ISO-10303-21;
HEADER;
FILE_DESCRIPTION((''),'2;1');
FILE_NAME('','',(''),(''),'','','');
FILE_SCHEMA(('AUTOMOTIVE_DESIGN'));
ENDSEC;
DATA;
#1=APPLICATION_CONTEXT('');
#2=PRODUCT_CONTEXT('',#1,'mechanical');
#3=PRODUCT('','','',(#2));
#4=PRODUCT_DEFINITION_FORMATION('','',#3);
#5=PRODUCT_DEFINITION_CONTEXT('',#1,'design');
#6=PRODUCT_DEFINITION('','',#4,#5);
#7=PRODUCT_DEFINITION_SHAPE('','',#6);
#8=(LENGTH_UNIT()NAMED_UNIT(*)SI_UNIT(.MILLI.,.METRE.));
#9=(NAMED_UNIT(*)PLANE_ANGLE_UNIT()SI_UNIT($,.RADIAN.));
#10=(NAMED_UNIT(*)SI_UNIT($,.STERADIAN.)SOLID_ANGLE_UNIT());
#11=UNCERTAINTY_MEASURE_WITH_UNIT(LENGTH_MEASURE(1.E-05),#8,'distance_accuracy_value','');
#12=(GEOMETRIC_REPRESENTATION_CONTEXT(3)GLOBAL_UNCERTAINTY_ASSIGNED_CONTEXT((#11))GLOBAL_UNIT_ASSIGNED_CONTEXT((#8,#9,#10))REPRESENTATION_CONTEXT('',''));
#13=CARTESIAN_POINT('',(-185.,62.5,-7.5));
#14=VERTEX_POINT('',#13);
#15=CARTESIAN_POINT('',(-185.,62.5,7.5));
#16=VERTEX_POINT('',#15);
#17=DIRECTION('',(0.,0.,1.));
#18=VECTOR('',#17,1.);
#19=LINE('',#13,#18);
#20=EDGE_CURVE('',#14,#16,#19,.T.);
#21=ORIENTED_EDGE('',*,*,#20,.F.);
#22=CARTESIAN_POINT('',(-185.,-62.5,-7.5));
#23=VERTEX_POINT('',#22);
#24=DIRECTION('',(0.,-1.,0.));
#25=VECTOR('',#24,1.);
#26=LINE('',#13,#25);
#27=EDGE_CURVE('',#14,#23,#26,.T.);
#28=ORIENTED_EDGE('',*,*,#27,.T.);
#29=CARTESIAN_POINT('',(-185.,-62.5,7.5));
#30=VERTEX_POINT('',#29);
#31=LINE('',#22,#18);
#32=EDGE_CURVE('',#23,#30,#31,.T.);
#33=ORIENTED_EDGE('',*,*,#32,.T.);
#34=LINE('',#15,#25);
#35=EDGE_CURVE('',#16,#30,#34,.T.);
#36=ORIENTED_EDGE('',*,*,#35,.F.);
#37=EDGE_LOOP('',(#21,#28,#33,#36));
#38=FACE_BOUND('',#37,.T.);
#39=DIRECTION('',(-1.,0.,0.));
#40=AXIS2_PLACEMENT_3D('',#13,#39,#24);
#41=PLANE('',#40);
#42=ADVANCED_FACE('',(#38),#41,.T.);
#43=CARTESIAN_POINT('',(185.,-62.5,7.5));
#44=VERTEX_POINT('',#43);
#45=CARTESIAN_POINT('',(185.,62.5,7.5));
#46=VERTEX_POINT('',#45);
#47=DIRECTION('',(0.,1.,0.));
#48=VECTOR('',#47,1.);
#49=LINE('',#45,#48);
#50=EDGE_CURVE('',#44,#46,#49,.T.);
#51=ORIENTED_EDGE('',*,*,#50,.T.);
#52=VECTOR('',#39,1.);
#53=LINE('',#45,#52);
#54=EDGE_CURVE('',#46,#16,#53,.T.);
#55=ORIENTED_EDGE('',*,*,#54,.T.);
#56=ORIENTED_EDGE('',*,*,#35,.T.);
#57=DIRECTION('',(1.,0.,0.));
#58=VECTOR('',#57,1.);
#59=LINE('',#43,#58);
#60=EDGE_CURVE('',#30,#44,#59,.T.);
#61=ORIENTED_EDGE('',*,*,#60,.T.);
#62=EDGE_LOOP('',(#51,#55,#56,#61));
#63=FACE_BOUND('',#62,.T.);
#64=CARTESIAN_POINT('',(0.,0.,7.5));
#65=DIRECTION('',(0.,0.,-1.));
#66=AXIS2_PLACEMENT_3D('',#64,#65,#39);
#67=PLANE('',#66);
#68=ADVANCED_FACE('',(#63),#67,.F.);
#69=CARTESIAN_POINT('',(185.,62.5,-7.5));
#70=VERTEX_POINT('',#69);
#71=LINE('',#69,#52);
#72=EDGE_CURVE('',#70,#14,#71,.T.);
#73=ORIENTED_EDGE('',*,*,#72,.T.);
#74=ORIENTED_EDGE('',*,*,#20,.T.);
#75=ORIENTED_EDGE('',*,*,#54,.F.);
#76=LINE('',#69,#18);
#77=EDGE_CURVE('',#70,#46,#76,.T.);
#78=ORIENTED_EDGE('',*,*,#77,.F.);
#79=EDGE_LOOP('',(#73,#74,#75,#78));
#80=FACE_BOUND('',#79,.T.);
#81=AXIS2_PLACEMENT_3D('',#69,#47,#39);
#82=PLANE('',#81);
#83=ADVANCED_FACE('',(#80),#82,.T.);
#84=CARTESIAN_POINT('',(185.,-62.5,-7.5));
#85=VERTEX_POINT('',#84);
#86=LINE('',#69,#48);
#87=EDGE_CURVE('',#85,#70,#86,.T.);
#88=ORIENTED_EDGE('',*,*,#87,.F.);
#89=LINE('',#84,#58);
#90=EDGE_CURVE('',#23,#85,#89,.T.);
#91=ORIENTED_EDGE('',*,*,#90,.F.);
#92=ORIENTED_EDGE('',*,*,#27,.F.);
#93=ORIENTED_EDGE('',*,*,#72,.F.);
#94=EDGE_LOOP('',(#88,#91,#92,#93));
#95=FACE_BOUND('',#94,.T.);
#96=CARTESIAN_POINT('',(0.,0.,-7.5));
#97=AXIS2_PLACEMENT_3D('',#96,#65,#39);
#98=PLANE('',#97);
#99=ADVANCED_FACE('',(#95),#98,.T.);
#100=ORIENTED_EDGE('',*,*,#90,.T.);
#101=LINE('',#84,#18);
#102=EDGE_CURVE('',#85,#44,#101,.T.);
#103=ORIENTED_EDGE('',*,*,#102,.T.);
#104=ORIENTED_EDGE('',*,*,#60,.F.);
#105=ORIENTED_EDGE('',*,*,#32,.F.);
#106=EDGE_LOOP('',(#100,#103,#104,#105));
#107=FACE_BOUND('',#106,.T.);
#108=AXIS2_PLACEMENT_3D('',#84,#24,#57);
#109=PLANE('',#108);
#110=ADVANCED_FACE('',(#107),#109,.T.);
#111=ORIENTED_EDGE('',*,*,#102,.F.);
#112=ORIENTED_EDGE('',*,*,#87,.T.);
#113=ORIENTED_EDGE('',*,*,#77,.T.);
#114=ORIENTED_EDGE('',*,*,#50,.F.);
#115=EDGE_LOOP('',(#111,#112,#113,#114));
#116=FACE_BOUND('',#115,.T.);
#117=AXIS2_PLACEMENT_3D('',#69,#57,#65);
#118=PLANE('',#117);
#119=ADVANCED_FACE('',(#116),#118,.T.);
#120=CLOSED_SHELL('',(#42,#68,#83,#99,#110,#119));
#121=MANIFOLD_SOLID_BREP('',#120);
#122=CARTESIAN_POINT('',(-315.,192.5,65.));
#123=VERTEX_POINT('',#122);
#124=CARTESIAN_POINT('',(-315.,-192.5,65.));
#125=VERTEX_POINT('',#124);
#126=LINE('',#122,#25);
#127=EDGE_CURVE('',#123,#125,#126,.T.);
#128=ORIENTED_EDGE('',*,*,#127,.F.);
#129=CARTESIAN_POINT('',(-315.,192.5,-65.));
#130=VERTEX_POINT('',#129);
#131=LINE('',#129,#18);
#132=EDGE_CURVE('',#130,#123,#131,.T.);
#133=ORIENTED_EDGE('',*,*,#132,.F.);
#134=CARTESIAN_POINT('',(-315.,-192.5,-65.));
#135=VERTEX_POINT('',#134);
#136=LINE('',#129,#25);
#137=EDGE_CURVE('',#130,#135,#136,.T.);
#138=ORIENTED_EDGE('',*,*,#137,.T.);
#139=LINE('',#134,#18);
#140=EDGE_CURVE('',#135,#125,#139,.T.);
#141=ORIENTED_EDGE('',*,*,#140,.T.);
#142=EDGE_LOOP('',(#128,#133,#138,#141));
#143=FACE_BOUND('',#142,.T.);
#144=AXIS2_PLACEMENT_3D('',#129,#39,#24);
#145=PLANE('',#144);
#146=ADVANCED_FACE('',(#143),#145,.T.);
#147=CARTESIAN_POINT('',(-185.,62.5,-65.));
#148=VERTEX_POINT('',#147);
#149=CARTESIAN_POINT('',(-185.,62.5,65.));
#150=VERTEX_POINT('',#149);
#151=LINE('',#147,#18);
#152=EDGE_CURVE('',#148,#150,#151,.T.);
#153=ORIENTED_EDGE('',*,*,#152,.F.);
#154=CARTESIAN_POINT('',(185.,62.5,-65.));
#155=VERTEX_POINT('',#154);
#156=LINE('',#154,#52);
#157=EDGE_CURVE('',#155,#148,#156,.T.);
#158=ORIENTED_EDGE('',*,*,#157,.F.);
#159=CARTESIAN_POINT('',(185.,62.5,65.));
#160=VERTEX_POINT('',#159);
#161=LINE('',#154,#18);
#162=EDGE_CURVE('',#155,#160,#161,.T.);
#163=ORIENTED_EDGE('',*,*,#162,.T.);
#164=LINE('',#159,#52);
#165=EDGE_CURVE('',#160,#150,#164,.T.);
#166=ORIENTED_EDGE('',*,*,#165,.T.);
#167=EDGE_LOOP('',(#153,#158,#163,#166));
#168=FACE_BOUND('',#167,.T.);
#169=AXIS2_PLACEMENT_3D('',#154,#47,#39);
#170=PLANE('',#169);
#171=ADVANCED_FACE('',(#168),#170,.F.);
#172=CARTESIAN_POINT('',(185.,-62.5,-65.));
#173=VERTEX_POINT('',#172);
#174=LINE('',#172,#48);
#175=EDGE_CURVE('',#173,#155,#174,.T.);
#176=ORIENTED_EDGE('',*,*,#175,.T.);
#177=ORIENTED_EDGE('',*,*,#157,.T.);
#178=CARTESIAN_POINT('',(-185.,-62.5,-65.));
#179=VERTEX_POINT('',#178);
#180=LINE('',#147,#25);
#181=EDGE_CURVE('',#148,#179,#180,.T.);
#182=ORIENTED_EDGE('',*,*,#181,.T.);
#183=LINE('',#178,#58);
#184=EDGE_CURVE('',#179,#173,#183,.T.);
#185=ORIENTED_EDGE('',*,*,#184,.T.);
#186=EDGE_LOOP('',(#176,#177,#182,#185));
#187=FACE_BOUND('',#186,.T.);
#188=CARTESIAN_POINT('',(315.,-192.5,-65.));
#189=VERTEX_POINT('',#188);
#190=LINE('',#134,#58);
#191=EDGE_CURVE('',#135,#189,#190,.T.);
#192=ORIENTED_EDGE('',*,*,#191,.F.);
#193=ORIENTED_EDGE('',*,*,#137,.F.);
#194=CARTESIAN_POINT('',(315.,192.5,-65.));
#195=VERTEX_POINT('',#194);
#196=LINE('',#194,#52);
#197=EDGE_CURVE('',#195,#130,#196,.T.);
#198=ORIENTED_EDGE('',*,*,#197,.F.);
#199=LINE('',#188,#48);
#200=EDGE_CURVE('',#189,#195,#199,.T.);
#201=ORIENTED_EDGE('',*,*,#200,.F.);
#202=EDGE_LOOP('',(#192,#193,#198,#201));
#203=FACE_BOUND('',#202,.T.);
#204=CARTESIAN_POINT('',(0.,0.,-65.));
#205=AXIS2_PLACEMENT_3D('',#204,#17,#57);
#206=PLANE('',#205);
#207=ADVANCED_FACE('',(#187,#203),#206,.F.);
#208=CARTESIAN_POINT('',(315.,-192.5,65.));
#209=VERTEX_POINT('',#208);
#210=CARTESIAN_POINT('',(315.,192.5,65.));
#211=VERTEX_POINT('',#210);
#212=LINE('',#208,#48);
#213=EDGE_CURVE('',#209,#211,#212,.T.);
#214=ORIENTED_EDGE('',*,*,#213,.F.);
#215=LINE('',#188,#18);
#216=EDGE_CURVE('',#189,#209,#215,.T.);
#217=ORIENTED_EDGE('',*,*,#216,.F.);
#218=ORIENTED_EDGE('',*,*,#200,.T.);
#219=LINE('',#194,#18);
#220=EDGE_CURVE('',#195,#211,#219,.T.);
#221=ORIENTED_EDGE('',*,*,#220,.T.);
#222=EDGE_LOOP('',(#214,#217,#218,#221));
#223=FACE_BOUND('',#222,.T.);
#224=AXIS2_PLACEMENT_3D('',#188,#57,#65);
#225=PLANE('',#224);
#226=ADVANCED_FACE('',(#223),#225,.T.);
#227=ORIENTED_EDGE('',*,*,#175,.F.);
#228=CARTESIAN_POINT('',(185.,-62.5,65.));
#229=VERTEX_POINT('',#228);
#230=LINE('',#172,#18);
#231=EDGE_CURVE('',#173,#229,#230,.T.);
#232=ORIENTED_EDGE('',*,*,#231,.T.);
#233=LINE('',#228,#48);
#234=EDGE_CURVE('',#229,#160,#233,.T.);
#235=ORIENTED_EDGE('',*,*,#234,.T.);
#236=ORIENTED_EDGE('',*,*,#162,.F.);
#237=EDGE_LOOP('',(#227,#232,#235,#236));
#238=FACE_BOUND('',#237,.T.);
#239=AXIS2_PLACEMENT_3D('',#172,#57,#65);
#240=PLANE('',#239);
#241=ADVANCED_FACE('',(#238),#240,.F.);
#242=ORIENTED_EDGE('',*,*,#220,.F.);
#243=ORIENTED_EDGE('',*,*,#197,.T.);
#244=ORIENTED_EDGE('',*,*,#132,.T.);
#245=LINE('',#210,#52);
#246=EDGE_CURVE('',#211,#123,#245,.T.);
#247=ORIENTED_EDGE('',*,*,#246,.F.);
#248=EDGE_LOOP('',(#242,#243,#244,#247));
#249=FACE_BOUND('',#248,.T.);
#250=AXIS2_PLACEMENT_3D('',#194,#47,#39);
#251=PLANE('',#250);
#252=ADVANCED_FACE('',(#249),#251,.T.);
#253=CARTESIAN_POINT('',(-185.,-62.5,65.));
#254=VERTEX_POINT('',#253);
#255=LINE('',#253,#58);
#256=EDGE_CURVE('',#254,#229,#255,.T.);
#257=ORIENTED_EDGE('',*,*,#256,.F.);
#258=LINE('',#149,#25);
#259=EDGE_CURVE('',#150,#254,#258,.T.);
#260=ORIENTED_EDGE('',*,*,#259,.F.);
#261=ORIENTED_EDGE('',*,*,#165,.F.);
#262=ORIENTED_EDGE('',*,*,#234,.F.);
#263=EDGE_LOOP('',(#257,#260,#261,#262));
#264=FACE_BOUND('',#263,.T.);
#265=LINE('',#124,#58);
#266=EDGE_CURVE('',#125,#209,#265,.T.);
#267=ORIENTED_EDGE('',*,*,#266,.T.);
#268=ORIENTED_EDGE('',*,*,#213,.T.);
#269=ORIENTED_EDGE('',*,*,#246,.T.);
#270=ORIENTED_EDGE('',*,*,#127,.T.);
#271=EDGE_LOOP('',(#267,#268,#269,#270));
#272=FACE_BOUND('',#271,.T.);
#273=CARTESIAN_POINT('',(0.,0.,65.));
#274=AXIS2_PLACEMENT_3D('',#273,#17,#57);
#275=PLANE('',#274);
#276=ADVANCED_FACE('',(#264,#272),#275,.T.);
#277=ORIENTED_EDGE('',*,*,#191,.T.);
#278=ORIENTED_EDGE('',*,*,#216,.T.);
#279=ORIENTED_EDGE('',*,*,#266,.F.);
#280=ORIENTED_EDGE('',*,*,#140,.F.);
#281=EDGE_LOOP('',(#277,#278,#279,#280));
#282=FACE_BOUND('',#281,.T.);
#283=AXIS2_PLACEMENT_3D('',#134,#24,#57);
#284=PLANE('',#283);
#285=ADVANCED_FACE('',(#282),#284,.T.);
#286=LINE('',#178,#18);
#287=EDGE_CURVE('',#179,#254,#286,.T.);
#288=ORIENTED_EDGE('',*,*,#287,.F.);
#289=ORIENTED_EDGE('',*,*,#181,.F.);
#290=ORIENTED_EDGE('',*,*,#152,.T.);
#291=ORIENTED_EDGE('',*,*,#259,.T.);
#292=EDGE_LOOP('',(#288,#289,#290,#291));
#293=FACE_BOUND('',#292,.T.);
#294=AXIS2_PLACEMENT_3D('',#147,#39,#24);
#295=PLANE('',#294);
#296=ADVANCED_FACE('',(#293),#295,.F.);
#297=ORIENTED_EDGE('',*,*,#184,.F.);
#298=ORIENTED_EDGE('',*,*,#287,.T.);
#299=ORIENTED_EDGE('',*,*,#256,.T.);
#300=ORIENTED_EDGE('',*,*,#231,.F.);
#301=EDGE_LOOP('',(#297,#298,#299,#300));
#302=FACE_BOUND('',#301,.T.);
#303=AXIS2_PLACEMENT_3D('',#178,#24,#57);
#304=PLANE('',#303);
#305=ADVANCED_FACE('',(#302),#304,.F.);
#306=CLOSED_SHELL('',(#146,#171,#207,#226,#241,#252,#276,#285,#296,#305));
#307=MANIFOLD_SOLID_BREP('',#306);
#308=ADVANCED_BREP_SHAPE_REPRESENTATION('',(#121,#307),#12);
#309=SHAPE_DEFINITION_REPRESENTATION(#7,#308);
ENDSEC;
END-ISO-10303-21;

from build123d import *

# Parameters (mm, degrees)
RESSALTO_EXTRUS_O1_DEPTH      = 7.5
RESSALTO_EXTRUS_O1_DEPTH_BACK = 7.5
ESBO_O1_W                     = 370
ESBO_O1_H                     = 125
RESSALTO_EXTRUS_O3_DEPTH      = 65
RESSALTO_EXTRUS_O3_DEPTH_BACK = 65
ESBO_O3_W                     = 630
ESBO_O3_H                     = 385
ESBO_O3_W_2                   = 370
ESBO_O3_H_2                   = 125


with BuildPart() as part:
    # Esboço1 → Ressalto-extrusão1 (new, two sides: drawn at the far end of the back side and taken through both)
    with BuildSketch(Plane.XY.offset(-RESSALTO_EXTRUS_O1_DEPTH_BACK)):
        Rectangle(ESBO_O1_W, ESBO_O1_H)
    extrude(amount=RESSALTO_EXTRUS_O1_DEPTH + RESSALTO_EXTRUS_O1_DEPTH_BACK)


with BuildPart() as body_2:
    # Esboço3 → Ressalto-extrusão3 (new, two sides: drawn at the far end of the back side and taken through both)
    with BuildSketch(Plane.XY.offset(-RESSALTO_EXTRUS_O3_DEPTH_BACK)):
        Rectangle(ESBO_O3_W, ESBO_O3_H)
        Rectangle(ESBO_O3_W_2, ESBO_O3_H_2, mode=Mode.SUBTRACT)
    extrude(amount=RESSALTO_EXTRUS_O3_DEPTH + RESSALTO_EXTRUS_O3_DEPTH_BACK)


solid = Compound([part.part, body_2.part])
